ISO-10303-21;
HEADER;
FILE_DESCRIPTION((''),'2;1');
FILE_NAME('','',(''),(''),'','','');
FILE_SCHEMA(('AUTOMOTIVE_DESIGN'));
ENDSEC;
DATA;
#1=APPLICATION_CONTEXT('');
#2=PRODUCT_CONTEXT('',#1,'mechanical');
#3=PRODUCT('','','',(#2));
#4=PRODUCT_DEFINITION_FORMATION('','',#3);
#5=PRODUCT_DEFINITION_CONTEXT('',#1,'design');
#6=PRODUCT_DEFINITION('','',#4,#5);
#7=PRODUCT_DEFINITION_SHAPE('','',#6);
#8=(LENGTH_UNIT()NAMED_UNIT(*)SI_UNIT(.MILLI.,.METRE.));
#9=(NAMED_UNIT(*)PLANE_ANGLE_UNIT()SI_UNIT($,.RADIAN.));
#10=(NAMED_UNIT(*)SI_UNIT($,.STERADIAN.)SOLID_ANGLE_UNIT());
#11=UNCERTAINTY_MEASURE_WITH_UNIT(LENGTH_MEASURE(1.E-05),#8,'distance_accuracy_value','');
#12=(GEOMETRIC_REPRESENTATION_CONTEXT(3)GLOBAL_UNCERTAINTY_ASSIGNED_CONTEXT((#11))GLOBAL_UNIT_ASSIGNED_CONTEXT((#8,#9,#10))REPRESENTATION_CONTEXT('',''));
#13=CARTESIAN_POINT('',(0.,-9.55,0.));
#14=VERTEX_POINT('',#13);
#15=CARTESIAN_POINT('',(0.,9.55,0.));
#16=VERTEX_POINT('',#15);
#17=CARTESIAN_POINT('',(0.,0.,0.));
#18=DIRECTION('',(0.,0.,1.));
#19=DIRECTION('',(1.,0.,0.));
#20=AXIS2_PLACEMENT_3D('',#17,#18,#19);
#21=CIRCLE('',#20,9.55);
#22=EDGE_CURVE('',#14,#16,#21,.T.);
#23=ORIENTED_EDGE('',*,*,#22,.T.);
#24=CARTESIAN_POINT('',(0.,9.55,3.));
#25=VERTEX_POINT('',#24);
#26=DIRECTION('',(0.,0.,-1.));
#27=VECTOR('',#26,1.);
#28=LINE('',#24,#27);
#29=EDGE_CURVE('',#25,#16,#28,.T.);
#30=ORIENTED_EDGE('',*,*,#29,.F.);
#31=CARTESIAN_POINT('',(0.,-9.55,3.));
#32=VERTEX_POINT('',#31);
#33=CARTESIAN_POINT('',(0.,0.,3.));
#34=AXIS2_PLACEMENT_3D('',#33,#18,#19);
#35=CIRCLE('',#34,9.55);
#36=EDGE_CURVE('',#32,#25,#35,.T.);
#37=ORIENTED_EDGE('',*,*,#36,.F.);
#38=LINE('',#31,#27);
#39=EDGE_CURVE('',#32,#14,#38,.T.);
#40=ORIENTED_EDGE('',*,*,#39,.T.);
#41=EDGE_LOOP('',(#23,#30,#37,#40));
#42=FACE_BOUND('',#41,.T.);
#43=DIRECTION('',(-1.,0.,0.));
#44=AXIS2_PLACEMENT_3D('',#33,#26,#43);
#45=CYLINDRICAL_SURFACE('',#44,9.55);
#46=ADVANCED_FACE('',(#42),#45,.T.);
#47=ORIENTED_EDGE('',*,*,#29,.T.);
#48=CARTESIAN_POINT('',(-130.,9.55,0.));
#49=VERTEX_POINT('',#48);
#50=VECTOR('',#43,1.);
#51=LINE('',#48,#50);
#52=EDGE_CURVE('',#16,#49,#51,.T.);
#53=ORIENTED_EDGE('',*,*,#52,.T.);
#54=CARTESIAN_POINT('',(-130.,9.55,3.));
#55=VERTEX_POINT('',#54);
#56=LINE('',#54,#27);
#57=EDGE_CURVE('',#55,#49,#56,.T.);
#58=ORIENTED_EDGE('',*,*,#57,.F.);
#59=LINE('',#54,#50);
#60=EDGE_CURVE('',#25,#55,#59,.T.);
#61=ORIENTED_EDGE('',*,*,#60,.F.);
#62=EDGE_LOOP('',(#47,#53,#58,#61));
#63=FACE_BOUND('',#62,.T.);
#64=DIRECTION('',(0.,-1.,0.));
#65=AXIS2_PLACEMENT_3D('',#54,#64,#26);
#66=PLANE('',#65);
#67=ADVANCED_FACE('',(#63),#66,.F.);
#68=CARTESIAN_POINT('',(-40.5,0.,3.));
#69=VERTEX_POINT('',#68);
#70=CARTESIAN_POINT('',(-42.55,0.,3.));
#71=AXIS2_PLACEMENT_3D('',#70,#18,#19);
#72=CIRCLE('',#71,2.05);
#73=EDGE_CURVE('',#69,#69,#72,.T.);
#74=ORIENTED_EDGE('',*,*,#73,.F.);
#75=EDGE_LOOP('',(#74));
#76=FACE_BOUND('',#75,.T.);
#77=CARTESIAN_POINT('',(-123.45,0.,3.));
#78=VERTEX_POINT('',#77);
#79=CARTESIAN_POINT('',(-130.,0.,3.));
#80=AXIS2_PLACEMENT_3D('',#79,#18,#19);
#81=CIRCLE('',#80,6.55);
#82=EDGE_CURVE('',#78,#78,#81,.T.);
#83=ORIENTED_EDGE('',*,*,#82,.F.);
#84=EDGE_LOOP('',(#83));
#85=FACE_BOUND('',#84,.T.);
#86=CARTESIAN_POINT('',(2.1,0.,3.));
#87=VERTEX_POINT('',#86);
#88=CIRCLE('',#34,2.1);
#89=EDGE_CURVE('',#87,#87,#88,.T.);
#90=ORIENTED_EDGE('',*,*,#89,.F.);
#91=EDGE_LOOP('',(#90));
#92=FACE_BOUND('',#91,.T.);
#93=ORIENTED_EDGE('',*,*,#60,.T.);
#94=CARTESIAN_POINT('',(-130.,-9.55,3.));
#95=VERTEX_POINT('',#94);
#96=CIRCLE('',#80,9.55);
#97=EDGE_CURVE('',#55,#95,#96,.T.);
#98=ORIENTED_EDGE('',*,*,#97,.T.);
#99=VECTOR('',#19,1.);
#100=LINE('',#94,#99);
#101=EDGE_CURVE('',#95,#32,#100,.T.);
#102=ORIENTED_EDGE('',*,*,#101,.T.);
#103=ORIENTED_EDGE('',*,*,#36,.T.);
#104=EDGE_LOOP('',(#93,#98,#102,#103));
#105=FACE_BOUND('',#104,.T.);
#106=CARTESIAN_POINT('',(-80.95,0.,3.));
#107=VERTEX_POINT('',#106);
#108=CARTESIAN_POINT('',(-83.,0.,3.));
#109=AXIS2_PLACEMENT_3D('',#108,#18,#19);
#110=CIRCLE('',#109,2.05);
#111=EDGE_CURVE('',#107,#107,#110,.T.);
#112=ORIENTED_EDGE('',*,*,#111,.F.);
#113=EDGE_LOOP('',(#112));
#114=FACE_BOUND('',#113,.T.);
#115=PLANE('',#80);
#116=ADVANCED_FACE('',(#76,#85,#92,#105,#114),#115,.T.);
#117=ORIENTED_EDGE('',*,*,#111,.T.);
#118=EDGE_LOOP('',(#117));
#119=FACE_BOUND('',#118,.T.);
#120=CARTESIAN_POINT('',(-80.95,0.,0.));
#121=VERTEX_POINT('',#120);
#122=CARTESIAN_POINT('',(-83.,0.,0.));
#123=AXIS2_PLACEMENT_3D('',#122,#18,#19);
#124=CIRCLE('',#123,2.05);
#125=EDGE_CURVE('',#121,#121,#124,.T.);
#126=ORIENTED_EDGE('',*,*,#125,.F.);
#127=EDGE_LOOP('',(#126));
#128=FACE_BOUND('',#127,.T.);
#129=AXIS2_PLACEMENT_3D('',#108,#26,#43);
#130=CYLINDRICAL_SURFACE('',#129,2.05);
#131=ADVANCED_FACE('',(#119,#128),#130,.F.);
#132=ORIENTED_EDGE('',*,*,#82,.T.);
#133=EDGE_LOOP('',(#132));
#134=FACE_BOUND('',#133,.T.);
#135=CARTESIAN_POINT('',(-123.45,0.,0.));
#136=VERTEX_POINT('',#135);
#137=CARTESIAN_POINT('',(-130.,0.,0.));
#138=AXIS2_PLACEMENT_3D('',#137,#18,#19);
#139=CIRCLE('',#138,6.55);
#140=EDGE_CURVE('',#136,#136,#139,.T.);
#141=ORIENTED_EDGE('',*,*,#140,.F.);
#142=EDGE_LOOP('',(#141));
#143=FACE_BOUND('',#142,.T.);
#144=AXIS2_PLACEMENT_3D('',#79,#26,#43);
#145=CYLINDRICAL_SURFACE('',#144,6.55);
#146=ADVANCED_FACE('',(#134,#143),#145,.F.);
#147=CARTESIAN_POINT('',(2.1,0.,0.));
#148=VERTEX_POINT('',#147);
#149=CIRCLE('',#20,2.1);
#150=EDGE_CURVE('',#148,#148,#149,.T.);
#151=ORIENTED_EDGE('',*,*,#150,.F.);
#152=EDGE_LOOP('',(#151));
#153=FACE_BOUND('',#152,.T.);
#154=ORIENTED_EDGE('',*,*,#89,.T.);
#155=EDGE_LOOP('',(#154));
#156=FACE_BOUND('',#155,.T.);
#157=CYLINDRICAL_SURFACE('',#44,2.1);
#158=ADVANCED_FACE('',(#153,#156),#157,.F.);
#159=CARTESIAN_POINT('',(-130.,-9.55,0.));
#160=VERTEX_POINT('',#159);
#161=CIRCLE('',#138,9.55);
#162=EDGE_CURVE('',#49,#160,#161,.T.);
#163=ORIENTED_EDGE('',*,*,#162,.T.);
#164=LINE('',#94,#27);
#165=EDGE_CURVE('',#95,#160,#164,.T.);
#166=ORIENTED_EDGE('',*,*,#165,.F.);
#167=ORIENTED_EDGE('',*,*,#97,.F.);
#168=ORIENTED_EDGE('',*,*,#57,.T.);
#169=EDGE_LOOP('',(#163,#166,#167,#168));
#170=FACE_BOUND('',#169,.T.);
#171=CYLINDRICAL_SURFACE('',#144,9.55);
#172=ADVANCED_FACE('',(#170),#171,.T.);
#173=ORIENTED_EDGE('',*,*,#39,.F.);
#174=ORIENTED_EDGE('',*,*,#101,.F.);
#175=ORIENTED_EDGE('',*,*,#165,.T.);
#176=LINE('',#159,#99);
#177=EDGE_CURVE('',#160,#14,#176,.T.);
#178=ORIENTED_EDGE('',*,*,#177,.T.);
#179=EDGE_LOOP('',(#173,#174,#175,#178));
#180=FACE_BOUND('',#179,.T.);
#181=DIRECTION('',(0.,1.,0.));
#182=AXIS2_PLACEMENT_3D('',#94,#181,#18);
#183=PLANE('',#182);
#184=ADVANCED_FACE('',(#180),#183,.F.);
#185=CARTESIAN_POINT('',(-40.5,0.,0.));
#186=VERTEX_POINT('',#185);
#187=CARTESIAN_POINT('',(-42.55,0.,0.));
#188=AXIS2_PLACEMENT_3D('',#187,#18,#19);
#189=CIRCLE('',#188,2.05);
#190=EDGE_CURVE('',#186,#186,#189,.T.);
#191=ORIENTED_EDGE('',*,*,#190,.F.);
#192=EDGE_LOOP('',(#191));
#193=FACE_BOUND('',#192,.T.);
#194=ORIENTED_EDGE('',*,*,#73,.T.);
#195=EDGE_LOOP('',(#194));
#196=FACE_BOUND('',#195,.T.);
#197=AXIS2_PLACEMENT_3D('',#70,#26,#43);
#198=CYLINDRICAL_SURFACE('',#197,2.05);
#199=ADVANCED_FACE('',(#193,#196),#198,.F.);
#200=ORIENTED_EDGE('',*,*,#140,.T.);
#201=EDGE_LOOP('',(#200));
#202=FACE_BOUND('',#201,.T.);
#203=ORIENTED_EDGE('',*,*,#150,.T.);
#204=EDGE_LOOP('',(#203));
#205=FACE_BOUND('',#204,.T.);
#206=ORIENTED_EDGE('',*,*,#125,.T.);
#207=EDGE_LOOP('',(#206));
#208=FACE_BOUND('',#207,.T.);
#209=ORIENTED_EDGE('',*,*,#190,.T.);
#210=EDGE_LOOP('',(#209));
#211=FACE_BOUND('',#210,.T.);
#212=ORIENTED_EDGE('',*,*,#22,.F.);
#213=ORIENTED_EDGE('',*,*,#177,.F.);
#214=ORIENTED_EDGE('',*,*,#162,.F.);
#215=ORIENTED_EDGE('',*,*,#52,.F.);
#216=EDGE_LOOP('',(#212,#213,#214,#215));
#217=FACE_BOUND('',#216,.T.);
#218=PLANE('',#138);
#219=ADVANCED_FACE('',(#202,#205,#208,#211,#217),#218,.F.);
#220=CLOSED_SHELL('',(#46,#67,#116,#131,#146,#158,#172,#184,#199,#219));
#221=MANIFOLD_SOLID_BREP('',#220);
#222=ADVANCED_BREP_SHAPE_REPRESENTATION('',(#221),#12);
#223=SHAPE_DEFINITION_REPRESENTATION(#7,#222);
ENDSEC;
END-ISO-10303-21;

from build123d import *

# Parameters (mm, degrees)
ESQUISSE1_R        = 2.1
ESQUISSE1_R_2      = 6.55
ESQUISSE1_R_3      = 2.05
BOSS_EXTRU_1_DEPTH = 3


with BuildPart() as part:
    # Esquisse1 → Boss.-Extru.1 (new body)
    with BuildSketch(Plane.XY):
        with BuildLine():
            Line((-130, 9.55), (0, 9.55))
            ThreePointArc((0, 9.55), (9.55, 0), (0, -9.55))
            Line((0, -9.55), (-130, -9.55))
            ThreePointArc((-130, -9.55), (-139.55, 0), (-130, 9.55))
        make_face()
        Circle(ESQUISSE1_R, mode=Mode.SUBTRACT)
        with Locations((-130, 0)):
            Circle(ESQUISSE1_R_2, mode=Mode.SUBTRACT)
        with Locations((-83, 0)):
            Circle(ESQUISSE1_R_3, mode=Mode.SUBTRACT)
        with Locations((-42.55, 0)):
            Circle(ESQUISSE1_R_3, mode=Mode.SUBTRACT)
    extrude(amount=BOSS_EXTRU_1_DEPTH)


solid = part.part
